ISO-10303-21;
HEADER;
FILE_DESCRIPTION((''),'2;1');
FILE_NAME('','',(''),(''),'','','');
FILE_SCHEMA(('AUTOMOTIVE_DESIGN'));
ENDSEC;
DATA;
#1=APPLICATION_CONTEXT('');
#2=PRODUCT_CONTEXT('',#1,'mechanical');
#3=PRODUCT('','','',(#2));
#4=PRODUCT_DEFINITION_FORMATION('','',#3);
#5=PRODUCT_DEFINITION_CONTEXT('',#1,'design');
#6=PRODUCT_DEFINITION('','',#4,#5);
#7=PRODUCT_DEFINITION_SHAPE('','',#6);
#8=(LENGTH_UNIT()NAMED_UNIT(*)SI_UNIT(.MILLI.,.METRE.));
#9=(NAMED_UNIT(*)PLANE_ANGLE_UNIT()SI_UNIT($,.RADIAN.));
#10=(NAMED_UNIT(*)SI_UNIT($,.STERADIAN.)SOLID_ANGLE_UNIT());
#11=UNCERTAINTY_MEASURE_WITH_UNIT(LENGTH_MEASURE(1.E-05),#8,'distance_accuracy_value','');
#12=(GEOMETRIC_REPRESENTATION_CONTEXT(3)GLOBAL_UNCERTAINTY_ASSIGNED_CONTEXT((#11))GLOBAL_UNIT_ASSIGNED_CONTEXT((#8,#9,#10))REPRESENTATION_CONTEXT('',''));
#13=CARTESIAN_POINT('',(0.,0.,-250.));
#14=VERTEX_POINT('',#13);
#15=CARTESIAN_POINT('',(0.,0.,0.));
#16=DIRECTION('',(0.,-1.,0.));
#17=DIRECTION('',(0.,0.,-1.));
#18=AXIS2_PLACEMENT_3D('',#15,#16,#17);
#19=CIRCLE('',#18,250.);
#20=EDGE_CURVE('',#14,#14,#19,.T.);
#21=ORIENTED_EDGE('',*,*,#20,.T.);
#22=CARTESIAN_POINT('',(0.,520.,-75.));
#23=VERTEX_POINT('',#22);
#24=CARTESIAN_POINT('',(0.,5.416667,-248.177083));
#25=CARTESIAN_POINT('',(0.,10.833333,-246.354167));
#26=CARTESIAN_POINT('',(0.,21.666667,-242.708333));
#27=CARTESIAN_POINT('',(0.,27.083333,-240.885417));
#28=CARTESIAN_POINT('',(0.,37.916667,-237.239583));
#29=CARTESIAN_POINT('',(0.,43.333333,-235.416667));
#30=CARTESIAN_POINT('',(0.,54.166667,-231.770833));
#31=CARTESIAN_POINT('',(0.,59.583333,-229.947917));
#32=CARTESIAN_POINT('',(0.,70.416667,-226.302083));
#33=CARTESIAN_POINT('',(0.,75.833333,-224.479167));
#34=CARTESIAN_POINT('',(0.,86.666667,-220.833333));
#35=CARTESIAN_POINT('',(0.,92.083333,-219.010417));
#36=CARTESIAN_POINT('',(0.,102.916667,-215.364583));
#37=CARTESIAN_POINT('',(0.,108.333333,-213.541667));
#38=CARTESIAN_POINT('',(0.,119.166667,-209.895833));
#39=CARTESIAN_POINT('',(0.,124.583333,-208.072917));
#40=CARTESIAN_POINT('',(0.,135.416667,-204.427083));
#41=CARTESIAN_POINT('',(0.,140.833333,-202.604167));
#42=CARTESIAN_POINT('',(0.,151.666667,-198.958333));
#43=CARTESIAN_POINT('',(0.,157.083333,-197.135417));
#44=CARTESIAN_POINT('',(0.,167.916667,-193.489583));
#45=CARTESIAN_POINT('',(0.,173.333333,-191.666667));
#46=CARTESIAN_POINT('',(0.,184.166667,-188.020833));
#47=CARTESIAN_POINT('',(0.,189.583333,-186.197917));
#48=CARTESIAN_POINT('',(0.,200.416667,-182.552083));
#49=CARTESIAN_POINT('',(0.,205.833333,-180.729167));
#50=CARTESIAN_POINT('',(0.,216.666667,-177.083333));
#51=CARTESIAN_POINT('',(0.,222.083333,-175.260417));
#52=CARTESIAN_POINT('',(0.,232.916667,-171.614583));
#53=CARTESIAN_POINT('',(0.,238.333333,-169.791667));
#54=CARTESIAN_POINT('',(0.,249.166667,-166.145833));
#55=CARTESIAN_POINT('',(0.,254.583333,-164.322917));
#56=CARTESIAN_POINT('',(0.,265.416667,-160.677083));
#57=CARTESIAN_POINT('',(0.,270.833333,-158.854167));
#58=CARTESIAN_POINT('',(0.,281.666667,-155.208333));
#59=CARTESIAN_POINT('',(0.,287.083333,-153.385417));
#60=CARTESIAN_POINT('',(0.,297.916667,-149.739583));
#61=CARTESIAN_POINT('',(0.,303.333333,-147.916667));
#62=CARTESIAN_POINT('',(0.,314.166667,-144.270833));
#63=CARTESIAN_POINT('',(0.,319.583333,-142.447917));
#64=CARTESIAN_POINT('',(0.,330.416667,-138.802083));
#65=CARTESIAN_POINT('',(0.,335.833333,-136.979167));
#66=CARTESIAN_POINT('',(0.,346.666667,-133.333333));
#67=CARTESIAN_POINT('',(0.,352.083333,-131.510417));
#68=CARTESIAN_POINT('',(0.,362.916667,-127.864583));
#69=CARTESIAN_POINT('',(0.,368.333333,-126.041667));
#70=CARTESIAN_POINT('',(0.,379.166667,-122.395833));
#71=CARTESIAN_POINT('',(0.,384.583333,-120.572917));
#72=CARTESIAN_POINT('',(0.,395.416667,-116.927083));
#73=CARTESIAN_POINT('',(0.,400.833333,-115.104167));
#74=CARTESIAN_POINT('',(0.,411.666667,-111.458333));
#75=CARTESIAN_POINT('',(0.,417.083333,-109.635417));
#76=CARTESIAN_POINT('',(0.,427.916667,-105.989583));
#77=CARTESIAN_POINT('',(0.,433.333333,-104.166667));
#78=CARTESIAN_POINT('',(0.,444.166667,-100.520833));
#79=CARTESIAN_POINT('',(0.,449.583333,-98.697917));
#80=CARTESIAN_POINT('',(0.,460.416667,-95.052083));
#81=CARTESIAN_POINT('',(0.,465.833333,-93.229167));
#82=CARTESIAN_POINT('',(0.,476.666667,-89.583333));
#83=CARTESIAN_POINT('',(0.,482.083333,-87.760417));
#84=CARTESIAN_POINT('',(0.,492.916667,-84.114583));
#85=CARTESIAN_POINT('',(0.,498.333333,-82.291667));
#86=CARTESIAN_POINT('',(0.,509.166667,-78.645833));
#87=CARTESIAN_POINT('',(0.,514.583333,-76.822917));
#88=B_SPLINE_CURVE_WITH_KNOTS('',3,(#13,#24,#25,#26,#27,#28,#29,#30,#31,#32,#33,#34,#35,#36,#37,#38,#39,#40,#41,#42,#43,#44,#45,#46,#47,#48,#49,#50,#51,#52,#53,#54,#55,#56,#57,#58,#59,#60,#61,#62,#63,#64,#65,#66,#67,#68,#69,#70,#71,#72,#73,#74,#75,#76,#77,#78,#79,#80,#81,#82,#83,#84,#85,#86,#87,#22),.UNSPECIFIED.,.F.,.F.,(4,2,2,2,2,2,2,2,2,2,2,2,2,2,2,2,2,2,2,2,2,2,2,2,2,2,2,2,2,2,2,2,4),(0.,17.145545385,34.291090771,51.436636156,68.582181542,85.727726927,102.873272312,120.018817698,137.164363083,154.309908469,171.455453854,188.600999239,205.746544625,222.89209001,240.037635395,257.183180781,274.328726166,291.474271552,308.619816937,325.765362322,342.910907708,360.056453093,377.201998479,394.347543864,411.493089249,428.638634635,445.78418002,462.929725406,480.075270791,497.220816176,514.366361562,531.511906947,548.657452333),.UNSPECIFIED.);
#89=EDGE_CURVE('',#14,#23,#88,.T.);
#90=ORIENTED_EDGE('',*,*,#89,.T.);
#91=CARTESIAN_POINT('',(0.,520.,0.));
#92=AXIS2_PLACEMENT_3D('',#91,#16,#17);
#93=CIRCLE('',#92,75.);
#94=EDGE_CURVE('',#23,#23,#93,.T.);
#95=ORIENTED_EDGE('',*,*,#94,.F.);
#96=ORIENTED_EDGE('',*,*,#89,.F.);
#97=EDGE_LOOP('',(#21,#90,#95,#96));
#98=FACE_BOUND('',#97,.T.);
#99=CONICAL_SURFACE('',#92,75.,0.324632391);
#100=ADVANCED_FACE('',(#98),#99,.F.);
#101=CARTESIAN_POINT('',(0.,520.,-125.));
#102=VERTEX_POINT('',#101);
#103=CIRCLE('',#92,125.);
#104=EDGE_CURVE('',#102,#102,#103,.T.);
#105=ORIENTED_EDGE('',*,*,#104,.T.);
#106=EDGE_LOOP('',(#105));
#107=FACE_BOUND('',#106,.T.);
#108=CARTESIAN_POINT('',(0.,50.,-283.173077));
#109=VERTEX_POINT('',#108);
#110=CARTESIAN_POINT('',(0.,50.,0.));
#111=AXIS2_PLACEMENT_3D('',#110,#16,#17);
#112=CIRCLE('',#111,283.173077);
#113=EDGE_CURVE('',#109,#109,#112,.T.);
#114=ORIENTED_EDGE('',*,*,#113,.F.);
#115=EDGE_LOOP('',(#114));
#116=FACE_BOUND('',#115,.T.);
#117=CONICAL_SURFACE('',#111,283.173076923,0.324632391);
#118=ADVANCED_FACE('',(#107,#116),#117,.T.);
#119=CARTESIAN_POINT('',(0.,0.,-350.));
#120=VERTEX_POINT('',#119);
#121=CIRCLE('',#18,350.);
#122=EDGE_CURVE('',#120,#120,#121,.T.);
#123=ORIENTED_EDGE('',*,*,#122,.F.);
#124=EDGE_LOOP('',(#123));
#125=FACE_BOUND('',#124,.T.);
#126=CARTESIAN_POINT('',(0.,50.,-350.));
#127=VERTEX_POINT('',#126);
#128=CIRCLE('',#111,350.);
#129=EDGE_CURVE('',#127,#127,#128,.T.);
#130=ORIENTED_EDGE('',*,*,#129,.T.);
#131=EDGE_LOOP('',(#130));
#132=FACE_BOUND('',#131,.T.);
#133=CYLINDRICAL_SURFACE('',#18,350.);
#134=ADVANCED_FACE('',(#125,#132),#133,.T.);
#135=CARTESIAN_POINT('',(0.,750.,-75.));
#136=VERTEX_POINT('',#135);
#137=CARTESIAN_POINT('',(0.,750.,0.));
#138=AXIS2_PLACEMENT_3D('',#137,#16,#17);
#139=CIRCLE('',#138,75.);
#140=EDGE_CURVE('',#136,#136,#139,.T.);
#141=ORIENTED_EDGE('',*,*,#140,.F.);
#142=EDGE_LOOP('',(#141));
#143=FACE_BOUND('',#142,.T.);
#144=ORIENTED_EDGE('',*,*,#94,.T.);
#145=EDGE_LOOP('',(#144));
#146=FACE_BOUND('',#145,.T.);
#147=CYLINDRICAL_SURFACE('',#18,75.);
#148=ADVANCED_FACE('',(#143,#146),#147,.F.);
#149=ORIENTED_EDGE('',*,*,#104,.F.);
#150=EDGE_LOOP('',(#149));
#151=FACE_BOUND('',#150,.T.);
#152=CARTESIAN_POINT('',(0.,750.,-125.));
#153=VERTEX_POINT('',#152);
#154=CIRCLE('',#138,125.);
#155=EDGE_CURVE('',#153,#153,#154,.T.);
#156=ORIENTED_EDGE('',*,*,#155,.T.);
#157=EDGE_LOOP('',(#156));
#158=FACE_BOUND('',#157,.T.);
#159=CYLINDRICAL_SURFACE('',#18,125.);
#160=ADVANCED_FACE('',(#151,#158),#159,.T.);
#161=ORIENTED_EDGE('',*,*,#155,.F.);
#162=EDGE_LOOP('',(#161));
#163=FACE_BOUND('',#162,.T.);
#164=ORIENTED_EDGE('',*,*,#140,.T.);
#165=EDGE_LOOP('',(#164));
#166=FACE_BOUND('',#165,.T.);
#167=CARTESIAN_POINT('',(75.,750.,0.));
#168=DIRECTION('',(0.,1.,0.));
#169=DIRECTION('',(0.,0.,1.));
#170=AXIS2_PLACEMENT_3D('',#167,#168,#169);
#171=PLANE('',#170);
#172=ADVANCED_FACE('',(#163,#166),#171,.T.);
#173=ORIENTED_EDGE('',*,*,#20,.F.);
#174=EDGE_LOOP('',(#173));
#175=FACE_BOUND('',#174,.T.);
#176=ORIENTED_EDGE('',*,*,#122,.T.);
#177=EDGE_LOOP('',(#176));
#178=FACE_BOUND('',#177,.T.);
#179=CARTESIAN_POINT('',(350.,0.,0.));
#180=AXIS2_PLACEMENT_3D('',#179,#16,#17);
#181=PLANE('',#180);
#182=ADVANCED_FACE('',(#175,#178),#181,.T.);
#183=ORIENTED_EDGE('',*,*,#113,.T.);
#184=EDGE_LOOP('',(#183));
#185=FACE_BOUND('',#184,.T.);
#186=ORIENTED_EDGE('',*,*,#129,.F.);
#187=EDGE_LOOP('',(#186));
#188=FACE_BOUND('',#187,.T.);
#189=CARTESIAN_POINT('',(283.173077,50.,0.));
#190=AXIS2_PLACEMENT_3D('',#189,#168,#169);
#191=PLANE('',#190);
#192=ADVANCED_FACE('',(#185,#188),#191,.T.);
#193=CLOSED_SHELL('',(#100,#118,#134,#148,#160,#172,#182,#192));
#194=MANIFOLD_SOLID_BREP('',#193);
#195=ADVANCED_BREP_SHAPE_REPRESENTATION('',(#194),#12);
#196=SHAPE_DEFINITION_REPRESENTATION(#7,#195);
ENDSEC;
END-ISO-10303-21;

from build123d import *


with BuildPart() as part:
    # Sketch1 → Revolve2 (revolve)
    with BuildSketch(Plane.XY, mode=Mode.PRIVATE) as revolve2_sk:
        Polygon((75, 750), (75, 520), (250, 0), (350, 0), (350, 50), (283.173076923, 50), (125, 520), (125, 750), align=None)
    revolve(revolve2_sk.sketch.rotate(Axis((0, 0, 0), (0, 1, 0)), 90), axis=Axis((0, 0, 0), (0, 1, 0)))


solid = part.part
